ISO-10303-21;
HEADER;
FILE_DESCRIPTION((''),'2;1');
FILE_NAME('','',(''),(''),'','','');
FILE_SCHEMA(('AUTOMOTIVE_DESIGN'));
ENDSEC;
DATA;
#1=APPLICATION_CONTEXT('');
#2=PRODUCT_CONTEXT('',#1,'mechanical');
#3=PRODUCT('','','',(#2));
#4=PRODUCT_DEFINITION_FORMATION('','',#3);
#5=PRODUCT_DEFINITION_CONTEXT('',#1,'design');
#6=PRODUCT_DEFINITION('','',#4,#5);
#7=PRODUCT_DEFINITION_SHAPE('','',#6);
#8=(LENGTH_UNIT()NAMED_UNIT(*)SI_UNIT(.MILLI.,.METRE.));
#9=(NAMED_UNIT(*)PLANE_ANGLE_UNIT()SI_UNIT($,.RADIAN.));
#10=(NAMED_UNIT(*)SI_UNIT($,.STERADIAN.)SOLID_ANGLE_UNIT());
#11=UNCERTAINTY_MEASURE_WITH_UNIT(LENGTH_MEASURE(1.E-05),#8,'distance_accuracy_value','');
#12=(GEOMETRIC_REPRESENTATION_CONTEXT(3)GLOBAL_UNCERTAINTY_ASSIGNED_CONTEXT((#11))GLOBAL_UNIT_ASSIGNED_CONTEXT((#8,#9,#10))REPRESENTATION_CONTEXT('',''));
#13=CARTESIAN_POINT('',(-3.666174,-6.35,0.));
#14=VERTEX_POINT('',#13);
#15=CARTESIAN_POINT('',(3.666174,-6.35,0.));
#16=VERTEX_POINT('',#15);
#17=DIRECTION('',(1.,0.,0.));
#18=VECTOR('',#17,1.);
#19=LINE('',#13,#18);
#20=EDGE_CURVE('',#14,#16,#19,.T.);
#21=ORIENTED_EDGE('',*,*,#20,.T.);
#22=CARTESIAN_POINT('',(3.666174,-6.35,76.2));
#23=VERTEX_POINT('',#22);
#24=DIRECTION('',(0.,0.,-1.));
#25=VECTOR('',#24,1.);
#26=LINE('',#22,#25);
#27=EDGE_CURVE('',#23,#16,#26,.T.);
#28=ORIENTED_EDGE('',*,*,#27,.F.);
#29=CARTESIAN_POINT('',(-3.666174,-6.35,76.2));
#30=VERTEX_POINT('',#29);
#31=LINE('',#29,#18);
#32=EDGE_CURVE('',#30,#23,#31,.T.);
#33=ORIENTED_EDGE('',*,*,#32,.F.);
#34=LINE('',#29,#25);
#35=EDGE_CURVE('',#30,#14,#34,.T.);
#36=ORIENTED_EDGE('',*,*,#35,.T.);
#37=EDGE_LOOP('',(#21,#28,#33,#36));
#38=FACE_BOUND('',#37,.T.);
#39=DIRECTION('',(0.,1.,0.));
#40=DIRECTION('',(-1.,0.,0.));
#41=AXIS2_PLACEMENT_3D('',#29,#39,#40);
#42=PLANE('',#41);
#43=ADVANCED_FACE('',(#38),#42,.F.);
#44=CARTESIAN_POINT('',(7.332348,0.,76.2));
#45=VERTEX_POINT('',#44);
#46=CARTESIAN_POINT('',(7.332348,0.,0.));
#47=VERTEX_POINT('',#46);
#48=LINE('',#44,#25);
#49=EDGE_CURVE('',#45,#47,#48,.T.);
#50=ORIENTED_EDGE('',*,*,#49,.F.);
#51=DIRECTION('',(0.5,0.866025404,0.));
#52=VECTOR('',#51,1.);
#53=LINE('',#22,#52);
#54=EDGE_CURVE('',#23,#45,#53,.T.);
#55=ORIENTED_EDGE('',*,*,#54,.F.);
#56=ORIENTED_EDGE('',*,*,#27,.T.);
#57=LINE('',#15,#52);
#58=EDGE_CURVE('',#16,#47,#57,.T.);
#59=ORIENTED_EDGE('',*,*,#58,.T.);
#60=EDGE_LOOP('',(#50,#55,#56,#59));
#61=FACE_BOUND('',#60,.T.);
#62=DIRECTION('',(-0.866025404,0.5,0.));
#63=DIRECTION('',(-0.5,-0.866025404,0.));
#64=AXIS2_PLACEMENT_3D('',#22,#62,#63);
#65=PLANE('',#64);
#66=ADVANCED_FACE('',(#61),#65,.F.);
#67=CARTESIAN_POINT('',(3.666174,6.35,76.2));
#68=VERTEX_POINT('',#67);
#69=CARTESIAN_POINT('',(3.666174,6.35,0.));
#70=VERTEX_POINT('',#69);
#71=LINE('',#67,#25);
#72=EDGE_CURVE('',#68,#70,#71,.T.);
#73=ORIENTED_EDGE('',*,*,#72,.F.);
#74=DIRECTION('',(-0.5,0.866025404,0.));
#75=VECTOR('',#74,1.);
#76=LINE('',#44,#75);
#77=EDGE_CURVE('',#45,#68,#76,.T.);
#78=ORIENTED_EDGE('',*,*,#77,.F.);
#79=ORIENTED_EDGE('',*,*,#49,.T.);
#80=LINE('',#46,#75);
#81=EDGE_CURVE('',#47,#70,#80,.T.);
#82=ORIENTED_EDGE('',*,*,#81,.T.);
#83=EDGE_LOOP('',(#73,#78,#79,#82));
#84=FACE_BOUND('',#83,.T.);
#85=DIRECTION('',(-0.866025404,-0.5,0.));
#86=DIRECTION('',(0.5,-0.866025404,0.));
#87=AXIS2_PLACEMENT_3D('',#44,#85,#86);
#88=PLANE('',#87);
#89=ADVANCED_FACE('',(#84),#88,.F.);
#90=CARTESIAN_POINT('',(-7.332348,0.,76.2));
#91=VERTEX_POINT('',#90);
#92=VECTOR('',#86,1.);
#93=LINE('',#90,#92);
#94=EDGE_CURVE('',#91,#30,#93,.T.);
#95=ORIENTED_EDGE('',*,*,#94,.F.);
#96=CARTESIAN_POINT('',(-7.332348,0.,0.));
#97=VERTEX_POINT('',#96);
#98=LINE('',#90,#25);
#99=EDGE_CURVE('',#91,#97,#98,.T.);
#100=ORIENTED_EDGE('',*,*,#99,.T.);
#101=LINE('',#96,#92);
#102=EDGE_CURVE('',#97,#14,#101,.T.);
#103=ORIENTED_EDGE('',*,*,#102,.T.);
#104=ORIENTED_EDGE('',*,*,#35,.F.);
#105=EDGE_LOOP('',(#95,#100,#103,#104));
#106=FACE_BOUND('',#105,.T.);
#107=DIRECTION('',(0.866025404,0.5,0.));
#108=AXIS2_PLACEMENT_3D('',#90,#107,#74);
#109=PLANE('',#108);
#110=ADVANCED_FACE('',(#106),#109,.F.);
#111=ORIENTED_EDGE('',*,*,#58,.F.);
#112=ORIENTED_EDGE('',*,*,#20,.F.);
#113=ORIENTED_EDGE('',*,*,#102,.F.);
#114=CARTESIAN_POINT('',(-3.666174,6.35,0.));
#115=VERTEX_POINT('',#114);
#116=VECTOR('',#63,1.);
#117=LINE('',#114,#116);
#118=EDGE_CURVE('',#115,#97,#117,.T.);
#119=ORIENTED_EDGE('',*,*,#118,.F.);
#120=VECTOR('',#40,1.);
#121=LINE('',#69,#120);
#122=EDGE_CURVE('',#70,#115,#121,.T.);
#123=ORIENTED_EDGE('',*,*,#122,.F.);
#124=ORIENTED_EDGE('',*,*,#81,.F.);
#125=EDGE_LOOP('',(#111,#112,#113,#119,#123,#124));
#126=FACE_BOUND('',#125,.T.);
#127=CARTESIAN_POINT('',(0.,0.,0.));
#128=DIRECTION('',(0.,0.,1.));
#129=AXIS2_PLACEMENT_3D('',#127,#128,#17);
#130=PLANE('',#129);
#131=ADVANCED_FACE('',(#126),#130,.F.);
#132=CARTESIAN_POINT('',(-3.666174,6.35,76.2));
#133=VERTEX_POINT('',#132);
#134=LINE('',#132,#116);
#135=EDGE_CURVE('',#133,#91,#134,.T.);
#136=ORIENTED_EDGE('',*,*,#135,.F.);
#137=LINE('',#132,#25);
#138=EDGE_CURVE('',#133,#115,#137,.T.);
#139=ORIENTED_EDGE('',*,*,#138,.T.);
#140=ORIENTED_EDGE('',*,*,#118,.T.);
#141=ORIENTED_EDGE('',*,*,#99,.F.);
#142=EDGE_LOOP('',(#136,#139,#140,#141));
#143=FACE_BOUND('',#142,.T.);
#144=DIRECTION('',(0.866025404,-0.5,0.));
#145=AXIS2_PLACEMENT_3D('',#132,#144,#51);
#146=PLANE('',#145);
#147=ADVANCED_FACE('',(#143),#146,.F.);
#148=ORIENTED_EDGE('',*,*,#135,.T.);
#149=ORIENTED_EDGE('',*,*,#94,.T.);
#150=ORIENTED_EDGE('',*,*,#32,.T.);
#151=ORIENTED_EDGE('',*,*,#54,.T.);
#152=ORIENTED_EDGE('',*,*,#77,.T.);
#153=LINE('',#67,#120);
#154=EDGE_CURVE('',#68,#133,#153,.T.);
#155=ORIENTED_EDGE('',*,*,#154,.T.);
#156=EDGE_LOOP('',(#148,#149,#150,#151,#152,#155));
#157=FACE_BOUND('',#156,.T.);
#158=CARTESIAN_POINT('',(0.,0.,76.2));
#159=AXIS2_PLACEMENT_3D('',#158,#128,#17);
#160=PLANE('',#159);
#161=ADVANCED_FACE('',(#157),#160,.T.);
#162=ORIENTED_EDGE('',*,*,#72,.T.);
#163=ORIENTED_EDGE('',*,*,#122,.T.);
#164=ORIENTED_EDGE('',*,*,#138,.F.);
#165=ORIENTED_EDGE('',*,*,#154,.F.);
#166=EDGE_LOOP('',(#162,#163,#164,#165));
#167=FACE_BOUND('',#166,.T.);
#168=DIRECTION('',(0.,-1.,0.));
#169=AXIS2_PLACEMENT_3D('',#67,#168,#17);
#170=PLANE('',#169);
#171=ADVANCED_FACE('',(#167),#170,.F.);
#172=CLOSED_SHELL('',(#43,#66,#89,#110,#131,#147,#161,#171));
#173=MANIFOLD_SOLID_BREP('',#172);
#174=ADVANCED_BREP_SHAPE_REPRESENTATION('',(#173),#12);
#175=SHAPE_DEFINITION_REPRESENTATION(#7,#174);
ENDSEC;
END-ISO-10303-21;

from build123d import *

# Parameters (mm, degrees)
BOSS_EXTRUDE1_DEPTH = 76.2


with BuildPart() as part:
    # Sketch1 → Boss-Extrude1 (new body)
    with BuildSketch(Plane.XY):
        Polygon((7.332348419, 0), (3.666174209, 6.35), (-3.666174209, 6.35), (-7.332348419, 0), (-3.666174209, -6.35), (3.666174209, -6.35), align=None)
    extrude(amount=BOSS_EXTRUDE1_DEPTH)


solid = part.part
